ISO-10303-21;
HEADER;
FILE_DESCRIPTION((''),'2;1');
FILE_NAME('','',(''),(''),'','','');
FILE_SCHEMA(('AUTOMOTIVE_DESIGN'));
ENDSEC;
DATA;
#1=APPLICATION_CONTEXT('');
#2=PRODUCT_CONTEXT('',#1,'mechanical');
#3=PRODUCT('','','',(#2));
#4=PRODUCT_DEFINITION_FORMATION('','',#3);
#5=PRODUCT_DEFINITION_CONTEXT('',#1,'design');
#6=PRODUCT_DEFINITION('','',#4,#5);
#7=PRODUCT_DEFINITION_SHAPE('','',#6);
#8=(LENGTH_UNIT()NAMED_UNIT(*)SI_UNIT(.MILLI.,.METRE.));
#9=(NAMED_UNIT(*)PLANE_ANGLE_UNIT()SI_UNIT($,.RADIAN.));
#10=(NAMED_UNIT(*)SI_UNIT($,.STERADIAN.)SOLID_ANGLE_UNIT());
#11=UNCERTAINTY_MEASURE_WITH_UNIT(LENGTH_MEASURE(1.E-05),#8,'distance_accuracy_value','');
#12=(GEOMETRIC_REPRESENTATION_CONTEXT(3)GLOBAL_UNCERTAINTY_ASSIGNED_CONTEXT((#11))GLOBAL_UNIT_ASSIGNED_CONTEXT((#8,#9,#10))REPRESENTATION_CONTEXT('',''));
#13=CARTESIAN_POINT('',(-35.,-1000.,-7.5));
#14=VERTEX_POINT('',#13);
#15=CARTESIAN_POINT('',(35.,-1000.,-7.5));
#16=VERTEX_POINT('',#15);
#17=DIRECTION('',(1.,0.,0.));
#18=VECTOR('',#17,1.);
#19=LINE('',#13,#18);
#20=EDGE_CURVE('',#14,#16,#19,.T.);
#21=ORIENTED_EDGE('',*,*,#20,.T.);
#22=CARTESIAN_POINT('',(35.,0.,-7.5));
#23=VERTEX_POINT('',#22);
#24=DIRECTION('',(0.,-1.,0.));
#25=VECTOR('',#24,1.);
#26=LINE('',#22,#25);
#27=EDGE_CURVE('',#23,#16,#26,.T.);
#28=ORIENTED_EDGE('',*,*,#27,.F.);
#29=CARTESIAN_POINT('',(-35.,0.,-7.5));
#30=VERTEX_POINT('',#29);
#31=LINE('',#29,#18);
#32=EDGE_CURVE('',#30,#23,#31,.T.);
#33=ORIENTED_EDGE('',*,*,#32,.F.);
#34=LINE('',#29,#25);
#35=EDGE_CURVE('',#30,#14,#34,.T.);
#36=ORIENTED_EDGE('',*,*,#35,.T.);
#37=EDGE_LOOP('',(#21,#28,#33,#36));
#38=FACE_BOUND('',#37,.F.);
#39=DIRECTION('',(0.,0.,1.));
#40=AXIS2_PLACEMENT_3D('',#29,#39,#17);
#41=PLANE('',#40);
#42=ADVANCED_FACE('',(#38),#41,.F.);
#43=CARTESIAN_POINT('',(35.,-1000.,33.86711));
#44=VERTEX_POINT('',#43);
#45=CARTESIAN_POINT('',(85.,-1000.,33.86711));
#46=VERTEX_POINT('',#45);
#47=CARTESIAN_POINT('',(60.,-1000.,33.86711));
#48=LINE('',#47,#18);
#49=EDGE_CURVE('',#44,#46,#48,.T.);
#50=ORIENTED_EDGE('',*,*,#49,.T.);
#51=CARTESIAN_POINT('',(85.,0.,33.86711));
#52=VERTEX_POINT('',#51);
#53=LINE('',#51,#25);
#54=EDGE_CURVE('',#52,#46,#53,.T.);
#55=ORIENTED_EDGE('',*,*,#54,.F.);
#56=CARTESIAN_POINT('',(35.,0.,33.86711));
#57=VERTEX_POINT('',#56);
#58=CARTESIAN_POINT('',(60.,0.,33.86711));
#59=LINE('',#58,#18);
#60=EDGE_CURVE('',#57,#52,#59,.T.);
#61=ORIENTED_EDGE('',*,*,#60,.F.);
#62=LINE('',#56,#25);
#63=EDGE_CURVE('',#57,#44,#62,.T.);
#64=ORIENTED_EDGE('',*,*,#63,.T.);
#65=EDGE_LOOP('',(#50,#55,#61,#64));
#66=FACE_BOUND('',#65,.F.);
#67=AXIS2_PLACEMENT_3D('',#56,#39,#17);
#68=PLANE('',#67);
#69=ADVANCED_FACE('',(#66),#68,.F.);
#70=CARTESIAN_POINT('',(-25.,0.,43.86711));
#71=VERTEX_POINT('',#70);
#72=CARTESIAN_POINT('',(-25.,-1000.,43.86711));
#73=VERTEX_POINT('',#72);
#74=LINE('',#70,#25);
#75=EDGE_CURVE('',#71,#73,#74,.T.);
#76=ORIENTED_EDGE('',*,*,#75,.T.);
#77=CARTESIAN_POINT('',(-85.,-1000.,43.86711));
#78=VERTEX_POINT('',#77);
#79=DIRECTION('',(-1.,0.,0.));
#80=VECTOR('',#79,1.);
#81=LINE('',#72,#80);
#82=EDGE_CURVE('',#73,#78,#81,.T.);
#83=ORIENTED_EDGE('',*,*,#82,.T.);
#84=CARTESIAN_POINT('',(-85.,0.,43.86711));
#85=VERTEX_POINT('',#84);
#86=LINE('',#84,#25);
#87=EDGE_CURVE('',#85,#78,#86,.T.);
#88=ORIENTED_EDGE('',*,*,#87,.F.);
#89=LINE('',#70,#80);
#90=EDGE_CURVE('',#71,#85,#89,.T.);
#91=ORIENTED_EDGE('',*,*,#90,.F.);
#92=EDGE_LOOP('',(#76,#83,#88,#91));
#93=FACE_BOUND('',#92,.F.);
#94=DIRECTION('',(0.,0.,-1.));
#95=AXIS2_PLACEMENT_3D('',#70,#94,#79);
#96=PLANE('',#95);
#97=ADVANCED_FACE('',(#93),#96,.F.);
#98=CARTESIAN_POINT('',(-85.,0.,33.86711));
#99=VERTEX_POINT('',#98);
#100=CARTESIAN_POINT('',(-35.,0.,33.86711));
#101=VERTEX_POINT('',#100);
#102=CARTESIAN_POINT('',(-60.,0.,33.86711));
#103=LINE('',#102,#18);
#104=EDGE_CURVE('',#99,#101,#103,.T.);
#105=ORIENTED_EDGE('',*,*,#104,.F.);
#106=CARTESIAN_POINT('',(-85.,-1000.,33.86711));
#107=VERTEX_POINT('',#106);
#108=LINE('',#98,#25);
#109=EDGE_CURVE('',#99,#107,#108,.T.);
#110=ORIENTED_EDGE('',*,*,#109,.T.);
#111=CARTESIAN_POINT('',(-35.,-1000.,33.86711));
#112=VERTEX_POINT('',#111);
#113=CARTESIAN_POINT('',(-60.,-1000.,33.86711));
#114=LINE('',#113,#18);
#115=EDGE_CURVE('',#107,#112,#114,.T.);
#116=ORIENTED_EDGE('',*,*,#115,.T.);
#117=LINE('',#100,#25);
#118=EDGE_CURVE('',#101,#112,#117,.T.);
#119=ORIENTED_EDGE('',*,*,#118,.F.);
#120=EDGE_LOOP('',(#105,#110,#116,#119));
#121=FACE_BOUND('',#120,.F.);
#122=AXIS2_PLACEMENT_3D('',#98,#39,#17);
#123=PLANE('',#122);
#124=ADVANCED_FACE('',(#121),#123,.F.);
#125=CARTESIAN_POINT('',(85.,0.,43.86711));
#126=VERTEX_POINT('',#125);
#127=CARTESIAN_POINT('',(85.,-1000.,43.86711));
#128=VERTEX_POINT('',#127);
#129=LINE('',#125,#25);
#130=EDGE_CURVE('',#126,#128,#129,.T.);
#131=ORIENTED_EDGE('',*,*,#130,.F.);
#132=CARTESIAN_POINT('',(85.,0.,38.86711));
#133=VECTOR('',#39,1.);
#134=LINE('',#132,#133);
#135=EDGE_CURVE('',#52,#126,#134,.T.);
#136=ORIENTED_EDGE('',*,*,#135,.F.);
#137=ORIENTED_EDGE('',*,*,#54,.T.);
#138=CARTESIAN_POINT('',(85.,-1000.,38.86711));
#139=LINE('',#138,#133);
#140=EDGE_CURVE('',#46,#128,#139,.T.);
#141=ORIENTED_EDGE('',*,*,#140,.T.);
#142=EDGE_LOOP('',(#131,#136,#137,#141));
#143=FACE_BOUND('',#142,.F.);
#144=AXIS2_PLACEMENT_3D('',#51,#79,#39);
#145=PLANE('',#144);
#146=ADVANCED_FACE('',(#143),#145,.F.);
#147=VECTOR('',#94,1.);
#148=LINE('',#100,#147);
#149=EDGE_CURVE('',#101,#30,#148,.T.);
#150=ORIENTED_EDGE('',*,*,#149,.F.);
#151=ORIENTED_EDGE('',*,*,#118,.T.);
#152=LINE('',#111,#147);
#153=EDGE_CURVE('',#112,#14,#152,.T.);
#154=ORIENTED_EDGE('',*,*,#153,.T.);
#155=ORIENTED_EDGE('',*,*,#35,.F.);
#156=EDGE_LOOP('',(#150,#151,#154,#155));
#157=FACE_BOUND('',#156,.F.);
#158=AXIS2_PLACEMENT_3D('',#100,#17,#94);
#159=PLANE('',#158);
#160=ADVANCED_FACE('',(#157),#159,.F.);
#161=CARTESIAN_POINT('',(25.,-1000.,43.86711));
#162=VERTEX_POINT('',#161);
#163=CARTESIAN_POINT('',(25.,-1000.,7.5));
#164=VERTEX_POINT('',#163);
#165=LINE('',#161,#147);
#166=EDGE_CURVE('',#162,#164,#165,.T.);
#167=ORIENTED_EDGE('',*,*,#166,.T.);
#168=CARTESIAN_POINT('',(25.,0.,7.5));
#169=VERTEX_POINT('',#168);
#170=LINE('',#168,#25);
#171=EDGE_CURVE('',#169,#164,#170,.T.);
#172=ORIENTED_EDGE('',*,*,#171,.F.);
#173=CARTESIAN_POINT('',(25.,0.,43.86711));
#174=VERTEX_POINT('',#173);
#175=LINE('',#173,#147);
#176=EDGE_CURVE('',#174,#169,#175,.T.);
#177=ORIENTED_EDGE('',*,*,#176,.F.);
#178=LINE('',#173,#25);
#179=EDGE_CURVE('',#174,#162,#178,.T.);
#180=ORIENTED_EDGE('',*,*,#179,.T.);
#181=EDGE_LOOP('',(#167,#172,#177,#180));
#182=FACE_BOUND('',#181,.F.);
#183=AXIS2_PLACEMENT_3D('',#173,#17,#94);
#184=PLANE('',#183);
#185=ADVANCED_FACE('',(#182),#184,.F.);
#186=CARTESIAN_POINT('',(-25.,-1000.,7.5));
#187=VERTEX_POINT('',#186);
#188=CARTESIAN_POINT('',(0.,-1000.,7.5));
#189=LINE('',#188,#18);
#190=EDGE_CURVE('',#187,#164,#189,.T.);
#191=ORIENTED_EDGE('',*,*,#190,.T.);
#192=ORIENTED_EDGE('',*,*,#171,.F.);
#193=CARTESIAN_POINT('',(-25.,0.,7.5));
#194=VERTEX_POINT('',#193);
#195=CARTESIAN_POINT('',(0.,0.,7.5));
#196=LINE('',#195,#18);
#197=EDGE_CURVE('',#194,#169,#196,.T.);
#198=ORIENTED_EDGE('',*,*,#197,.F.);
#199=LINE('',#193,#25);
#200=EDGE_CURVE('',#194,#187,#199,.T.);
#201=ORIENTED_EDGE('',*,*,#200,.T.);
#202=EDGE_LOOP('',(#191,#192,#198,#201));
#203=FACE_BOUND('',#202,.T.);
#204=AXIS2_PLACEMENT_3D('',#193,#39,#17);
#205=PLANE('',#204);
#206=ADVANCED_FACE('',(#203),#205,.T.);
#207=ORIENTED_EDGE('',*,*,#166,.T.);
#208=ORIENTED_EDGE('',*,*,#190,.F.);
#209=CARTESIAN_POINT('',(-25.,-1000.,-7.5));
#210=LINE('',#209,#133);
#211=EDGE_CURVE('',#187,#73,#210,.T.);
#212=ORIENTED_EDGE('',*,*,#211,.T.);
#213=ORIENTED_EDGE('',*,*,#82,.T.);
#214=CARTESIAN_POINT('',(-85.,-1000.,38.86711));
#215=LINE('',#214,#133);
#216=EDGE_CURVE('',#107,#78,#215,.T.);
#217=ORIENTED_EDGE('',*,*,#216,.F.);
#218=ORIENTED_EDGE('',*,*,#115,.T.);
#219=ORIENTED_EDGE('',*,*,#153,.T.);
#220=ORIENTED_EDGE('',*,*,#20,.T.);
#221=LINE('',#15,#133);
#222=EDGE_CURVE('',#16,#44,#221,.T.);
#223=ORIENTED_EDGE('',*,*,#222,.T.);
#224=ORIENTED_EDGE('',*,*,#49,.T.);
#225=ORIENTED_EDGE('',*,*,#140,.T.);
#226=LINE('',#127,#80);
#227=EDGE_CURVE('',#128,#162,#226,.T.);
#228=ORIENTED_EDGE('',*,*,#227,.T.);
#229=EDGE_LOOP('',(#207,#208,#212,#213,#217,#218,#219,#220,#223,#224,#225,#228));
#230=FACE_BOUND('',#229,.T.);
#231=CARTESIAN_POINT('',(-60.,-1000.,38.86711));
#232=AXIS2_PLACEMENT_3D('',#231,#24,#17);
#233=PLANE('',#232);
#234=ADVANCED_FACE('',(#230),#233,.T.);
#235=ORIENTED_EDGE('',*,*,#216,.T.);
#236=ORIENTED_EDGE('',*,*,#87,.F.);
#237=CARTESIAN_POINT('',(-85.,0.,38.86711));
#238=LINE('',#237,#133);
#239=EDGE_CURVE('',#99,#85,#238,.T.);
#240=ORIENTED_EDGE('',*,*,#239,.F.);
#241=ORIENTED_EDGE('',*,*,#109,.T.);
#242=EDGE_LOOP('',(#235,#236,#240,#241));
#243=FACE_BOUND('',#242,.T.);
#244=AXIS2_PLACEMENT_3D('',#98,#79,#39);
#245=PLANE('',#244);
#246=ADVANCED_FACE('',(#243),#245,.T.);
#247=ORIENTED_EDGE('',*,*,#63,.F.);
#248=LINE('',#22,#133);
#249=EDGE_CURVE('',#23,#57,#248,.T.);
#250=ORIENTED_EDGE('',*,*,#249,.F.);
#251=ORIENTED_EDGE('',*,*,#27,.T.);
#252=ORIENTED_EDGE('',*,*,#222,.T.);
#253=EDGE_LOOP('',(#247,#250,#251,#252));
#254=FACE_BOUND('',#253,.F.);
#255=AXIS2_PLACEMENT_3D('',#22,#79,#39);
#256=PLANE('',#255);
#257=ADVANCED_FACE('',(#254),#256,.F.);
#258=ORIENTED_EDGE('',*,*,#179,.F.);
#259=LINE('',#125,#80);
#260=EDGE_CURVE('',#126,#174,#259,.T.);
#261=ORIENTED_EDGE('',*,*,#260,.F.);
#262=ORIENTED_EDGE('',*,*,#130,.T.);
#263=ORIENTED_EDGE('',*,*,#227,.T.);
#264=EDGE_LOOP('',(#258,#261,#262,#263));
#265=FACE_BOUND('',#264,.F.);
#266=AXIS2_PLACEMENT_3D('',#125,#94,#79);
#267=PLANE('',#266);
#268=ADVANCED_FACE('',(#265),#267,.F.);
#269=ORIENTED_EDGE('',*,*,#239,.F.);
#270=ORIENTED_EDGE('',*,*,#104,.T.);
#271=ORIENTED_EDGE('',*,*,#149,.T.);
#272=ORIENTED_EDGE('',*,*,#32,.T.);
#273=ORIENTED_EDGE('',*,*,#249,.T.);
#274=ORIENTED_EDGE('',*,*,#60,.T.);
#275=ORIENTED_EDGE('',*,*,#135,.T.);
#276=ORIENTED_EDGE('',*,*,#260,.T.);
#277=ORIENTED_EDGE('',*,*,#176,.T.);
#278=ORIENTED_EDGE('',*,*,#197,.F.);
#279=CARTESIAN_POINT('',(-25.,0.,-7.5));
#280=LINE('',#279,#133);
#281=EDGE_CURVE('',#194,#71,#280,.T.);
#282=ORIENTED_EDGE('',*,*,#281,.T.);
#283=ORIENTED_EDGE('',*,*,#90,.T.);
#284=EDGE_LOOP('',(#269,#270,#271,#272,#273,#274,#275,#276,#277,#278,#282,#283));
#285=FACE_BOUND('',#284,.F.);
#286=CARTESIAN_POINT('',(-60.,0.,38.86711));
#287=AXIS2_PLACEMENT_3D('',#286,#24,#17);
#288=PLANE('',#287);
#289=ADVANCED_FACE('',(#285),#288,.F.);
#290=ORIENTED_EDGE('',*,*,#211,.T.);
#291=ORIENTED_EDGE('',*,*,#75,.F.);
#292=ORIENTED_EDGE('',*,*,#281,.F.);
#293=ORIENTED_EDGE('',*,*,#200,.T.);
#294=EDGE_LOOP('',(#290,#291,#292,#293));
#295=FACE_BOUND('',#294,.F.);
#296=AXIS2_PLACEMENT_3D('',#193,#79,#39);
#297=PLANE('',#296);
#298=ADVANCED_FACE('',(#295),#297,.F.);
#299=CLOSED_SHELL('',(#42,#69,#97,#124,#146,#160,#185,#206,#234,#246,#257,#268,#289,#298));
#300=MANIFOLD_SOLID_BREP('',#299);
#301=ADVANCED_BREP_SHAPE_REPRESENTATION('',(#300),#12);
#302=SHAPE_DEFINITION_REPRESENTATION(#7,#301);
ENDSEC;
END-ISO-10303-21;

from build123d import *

# Parameters (mm, degrees)
F0_W     = 50
F0_H     = 10
F0_H_2   = 15
F1_DEPTH = 1000


with BuildPart() as f1:
    # F0 (on Front) → F1 (new body)
    with BuildSketch(Plane.XZ):
        with Locations((-60, 38.86711)):
            Rectangle(F0_W, F0_H)
        Polygon((-25, 43.86711), (-35, 43.86711), (-35, 33.86711), (-35, -7.5), (-25, -7.5), (-25, 7.5), align=None)
        Rectangle(F0_W, F0_H_2)
        Polygon((25, 43.86711), (25, 7.5), (25, -7.5), (35, -7.5), (35, 33.86711), (35, 43.86711), align=None)
        with Locations((60, 38.86711)):
            Rectangle(F0_W, F0_H)
    extrude(amount=F1_DEPTH)


solid = f1.part
